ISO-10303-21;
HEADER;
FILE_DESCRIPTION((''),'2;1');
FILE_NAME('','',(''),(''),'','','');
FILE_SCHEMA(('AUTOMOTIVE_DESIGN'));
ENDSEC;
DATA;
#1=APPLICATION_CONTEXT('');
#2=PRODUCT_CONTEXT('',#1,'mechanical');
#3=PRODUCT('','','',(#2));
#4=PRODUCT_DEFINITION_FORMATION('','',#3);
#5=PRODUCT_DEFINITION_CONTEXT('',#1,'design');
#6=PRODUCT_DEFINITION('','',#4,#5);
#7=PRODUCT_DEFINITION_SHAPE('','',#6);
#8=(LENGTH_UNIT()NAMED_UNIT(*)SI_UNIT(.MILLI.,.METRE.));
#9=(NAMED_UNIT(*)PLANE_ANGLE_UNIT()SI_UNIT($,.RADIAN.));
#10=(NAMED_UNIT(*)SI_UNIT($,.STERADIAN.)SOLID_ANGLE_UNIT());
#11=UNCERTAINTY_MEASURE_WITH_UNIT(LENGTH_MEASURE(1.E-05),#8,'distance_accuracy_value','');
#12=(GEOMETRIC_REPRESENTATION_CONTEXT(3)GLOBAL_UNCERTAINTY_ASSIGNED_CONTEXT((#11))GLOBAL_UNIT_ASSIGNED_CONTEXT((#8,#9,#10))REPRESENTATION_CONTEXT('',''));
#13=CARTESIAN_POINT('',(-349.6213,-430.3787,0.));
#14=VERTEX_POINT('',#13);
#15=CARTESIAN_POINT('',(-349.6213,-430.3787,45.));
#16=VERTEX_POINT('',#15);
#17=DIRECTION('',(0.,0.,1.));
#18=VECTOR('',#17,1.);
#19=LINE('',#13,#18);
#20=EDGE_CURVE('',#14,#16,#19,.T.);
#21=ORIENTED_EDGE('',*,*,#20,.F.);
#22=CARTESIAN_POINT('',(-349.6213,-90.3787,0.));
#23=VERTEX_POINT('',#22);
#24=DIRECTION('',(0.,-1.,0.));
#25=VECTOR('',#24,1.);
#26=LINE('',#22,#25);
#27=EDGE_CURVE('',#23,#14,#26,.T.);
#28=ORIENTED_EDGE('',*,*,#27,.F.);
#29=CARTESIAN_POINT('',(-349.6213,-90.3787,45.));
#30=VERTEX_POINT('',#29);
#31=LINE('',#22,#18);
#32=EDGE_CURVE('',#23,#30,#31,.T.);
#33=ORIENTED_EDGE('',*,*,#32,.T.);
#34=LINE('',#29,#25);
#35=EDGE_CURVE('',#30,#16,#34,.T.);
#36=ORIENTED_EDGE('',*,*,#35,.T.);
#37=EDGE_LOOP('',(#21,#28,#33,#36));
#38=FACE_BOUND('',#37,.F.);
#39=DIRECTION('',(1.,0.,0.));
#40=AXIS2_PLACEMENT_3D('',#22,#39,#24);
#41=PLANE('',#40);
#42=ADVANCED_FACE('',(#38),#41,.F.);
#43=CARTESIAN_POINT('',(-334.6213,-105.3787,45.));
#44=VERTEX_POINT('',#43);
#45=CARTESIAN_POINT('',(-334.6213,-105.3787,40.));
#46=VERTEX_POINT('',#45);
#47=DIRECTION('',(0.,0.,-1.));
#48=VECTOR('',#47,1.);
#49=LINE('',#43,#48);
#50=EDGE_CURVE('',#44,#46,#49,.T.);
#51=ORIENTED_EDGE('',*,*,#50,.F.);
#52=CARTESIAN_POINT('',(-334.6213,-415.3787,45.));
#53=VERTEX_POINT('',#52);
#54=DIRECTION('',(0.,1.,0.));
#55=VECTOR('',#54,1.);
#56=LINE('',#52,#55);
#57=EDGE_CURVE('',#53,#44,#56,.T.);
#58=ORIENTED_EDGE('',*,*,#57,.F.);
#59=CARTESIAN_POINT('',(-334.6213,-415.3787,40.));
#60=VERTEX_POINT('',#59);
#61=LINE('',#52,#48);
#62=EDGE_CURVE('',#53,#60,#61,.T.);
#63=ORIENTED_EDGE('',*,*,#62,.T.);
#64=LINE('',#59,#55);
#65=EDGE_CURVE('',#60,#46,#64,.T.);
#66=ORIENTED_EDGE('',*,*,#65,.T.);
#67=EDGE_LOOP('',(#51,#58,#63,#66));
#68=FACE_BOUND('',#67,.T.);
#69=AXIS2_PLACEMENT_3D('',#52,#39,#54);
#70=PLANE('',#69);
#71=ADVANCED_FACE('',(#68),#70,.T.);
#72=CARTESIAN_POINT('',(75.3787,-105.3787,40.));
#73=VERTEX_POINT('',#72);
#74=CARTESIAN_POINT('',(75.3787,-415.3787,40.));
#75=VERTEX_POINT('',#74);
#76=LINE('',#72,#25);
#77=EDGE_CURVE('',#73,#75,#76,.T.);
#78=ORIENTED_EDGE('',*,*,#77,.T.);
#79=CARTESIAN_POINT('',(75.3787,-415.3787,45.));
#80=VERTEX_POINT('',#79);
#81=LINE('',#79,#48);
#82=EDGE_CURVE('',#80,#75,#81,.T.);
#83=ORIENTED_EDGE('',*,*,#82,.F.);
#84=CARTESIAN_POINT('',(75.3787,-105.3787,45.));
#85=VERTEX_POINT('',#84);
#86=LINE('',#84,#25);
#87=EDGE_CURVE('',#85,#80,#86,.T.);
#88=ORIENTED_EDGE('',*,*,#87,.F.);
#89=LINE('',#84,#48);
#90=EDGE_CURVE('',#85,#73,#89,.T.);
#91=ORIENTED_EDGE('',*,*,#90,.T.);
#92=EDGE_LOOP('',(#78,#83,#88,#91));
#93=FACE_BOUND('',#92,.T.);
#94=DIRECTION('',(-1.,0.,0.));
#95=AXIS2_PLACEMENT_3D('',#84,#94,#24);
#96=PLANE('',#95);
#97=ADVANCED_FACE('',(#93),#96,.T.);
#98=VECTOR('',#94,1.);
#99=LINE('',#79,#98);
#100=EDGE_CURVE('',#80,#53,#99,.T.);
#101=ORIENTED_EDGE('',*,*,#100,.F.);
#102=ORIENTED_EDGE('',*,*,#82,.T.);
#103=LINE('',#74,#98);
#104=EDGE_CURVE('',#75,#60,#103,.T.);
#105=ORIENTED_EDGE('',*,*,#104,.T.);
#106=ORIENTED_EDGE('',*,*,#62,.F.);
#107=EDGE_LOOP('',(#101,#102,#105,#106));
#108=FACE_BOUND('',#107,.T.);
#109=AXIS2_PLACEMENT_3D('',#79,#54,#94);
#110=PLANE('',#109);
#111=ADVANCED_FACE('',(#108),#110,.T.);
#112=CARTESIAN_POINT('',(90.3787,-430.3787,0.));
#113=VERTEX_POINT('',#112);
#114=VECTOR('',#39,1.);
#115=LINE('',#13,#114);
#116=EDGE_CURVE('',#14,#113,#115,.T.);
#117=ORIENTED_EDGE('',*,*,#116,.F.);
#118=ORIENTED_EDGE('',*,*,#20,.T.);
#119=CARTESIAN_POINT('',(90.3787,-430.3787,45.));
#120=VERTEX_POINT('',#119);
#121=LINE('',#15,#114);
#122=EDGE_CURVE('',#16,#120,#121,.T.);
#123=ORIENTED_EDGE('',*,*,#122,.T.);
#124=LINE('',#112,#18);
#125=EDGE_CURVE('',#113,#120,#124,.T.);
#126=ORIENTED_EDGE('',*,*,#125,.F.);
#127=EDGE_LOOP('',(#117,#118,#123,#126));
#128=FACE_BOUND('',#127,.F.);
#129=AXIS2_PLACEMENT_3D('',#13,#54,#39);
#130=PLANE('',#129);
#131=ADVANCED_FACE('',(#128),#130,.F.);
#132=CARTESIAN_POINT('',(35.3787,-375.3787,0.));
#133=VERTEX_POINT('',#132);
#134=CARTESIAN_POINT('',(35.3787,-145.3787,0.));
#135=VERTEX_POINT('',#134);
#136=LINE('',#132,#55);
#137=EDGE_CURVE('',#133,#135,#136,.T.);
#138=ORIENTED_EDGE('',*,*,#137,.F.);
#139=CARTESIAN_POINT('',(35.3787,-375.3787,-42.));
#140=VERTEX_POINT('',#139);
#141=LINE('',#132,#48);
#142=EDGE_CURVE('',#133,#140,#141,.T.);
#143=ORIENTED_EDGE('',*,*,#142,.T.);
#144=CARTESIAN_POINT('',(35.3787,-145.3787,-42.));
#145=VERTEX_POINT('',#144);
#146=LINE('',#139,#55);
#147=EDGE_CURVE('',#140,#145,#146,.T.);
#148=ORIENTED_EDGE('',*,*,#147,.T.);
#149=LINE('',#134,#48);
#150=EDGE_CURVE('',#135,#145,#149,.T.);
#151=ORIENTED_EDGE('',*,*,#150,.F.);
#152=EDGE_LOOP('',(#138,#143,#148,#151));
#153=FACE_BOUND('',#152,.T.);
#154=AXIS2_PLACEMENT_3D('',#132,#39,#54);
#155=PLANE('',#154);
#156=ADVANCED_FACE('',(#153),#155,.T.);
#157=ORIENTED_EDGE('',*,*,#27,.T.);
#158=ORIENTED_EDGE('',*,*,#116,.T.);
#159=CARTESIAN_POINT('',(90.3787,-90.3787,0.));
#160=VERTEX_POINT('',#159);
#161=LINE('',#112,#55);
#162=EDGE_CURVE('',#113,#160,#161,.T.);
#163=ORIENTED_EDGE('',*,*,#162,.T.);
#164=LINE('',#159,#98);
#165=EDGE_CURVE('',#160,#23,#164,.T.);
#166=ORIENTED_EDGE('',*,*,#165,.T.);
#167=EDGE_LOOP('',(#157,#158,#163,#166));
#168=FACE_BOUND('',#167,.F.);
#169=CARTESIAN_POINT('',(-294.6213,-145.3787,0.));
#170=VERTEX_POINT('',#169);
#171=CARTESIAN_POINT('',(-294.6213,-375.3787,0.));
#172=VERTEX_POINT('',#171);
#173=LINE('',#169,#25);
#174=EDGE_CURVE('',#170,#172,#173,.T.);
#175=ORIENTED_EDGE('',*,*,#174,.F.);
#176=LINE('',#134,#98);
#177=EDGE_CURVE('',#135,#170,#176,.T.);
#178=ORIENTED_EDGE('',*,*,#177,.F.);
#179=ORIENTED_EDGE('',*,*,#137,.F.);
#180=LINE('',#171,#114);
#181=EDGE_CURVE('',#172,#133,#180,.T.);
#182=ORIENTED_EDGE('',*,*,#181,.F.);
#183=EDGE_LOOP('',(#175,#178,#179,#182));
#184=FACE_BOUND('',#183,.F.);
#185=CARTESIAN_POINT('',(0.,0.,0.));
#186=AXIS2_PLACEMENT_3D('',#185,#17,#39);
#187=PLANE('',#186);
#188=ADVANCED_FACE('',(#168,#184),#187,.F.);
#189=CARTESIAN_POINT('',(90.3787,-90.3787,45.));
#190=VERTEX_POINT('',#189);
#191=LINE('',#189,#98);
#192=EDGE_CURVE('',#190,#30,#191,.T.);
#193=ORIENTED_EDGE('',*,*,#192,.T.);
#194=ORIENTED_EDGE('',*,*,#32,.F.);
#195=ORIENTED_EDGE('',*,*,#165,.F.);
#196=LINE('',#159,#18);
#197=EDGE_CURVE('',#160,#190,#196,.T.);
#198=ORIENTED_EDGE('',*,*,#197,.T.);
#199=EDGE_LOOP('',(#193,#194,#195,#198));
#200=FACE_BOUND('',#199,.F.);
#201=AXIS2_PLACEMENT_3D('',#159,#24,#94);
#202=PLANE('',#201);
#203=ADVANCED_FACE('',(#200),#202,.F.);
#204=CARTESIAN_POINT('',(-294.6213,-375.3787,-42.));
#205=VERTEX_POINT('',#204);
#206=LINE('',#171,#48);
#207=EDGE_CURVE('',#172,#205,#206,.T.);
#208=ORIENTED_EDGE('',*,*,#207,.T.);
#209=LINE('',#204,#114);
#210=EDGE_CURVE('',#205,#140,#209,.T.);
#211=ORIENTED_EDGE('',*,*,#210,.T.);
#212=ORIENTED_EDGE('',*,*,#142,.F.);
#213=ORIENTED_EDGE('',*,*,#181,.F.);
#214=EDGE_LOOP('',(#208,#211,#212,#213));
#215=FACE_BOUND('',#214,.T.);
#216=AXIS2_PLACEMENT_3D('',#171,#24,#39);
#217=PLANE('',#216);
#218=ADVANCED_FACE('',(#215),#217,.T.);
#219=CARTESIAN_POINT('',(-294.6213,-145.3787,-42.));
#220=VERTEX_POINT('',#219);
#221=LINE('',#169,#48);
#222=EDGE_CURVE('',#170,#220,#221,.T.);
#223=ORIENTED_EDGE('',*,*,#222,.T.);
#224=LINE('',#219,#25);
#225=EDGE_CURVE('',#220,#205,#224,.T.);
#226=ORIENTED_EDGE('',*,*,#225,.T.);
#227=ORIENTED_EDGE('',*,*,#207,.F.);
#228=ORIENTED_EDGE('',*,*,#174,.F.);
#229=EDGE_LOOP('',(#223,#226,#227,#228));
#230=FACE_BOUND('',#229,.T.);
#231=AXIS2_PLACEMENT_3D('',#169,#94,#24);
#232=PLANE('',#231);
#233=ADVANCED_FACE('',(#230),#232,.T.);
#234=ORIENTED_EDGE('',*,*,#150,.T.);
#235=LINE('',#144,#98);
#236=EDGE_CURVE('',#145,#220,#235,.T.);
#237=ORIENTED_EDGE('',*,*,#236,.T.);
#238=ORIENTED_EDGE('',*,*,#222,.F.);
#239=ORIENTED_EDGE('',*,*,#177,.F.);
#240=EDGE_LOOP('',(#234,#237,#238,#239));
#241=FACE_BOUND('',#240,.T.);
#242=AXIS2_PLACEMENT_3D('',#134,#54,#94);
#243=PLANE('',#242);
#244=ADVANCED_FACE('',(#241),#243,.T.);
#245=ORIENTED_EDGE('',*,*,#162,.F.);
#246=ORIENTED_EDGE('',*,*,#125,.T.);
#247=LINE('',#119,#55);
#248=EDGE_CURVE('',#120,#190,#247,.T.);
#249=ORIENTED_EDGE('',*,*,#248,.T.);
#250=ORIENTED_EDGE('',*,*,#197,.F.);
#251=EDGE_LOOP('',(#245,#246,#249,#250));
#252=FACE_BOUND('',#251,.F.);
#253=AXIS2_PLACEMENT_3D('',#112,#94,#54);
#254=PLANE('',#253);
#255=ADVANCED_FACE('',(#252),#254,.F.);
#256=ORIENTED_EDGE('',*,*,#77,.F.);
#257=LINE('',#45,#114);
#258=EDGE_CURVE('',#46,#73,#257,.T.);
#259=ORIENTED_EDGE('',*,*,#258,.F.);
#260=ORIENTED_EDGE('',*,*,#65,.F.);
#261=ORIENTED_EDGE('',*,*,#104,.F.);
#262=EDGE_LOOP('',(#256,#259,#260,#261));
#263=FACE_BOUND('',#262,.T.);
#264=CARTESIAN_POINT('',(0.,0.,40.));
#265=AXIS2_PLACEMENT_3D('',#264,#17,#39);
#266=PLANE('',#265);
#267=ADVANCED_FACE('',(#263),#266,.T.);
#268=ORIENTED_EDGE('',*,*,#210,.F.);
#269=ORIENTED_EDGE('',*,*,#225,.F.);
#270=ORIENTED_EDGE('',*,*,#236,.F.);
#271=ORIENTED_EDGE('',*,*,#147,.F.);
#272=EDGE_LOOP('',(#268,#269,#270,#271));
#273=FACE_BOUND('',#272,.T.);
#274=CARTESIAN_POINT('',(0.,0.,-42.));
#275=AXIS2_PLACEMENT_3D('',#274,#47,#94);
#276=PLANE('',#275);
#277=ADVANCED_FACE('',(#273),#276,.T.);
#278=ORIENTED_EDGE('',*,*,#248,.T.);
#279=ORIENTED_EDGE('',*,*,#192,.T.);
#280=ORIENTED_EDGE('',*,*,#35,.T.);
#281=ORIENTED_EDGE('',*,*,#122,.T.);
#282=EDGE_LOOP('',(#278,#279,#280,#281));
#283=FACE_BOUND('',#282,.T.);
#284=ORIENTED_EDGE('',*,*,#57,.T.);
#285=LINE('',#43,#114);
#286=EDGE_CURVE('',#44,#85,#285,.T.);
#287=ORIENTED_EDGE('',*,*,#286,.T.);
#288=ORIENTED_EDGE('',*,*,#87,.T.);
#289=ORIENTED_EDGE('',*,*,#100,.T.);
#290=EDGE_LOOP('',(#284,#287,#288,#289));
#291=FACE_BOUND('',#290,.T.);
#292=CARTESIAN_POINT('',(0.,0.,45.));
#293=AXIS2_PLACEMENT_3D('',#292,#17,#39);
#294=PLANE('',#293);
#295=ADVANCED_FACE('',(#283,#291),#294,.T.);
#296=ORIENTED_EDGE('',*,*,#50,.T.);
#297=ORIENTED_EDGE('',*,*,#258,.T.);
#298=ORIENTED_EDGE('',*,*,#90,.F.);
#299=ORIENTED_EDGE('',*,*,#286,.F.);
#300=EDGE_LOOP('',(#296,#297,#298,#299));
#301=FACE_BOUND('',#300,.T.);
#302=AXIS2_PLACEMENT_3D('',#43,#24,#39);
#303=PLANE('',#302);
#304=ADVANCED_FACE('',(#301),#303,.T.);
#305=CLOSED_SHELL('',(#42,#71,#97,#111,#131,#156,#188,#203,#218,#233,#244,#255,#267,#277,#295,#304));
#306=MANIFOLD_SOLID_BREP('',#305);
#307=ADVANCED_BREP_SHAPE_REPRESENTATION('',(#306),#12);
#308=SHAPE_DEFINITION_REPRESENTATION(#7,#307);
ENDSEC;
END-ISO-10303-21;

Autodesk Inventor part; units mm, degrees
ref_plane "YZ Plane" through (0, 0, 0) normal (1, 0, 0) x (0, 1, 0)
ref_plane "XZ Plane" through (0, 0, 0) normal (0, 1, 0) x (-1, 0, 0)
ref_plane "XY Plane" through (0, 0, 0) normal (0, 0, 1) x (1, 0, 0)
sketch "Sketch1" plane through (0, 0, 0) normal (0, 0, 1) x (1, 0, 0)
  line L0 (90.3787, -90.3787) -> (-349.6213, -90.3787)
  line L1 (-349.6213, -90.3787) -> (-349.6213, -430.3787)
  line L2 (-349.6213, -430.3787) -> (90.3787, -430.3787)
  line L3 (90.3787, -430.3787) -> (90.3787, -90.3787)
  point P0 (0, 0)
  dimension "d0" = 440
  dimension "d1" = 340
extrude "Extrusion1" add sketch "Sketch1" along normal blind 45
sketch "Sketch2" plane through (0, 0, 45) normal (0, 0, 1) x (1, 0, 0)
  line L0 (-334.6213, -105.3787) -> (75.3787, -105.3787)
  line L1 (75.3787, -105.3787) -> (75.3787, -415.3787)
  line L2 (75.3787, -415.3787) -> (-334.6213, -415.3787)
  line L3 (-334.6213, -415.3787) -> (-334.6213, -105.3787)
  line L4 (90.3787, -430.3787) -> (90.3787, -90.3787) projected
  line L5 (90.3787, -90.3787) -> (-349.6213, -90.3787) projected
  point P0 (0, 0)
  dimension "d4" = 410
  dimension "d5" = 310
  dimension "d6" = 15
  dimension "d7" = 15
extrude "Extrusion2" cut sketch "Sketch2" against normal blind 5
sketch "Sketch3" plane through (0, 0, 0) normal (0, 0, -1) x (-1, 0, 0)
  line L0 (-35.3787, -145.3787) -> (294.6213, -145.3787)
  line L1 (294.6213, -145.3787) -> (294.6213, -375.3787)
  line L2 (294.6213, -375.3787) -> (-35.3787, -375.3787)
  line L3 (-35.3787, -375.3787) -> (-35.3787, -145.3787)
  line L4 (349.6213, -430.3787) -> (-90.3787, -430.3787) projected
  line L5 (-90.3787, -430.3787) -> (-90.3787, -90.3787) projected
  point P0 (0, 0)
  dimension "d10" = 330
  dimension "d11" = 230
  dimension "d12" = 55
  dimension "d13" = 55
extrude "Extrusion3" add sketch "Sketch3" along normal blind 42
properties part number "Monitor"
